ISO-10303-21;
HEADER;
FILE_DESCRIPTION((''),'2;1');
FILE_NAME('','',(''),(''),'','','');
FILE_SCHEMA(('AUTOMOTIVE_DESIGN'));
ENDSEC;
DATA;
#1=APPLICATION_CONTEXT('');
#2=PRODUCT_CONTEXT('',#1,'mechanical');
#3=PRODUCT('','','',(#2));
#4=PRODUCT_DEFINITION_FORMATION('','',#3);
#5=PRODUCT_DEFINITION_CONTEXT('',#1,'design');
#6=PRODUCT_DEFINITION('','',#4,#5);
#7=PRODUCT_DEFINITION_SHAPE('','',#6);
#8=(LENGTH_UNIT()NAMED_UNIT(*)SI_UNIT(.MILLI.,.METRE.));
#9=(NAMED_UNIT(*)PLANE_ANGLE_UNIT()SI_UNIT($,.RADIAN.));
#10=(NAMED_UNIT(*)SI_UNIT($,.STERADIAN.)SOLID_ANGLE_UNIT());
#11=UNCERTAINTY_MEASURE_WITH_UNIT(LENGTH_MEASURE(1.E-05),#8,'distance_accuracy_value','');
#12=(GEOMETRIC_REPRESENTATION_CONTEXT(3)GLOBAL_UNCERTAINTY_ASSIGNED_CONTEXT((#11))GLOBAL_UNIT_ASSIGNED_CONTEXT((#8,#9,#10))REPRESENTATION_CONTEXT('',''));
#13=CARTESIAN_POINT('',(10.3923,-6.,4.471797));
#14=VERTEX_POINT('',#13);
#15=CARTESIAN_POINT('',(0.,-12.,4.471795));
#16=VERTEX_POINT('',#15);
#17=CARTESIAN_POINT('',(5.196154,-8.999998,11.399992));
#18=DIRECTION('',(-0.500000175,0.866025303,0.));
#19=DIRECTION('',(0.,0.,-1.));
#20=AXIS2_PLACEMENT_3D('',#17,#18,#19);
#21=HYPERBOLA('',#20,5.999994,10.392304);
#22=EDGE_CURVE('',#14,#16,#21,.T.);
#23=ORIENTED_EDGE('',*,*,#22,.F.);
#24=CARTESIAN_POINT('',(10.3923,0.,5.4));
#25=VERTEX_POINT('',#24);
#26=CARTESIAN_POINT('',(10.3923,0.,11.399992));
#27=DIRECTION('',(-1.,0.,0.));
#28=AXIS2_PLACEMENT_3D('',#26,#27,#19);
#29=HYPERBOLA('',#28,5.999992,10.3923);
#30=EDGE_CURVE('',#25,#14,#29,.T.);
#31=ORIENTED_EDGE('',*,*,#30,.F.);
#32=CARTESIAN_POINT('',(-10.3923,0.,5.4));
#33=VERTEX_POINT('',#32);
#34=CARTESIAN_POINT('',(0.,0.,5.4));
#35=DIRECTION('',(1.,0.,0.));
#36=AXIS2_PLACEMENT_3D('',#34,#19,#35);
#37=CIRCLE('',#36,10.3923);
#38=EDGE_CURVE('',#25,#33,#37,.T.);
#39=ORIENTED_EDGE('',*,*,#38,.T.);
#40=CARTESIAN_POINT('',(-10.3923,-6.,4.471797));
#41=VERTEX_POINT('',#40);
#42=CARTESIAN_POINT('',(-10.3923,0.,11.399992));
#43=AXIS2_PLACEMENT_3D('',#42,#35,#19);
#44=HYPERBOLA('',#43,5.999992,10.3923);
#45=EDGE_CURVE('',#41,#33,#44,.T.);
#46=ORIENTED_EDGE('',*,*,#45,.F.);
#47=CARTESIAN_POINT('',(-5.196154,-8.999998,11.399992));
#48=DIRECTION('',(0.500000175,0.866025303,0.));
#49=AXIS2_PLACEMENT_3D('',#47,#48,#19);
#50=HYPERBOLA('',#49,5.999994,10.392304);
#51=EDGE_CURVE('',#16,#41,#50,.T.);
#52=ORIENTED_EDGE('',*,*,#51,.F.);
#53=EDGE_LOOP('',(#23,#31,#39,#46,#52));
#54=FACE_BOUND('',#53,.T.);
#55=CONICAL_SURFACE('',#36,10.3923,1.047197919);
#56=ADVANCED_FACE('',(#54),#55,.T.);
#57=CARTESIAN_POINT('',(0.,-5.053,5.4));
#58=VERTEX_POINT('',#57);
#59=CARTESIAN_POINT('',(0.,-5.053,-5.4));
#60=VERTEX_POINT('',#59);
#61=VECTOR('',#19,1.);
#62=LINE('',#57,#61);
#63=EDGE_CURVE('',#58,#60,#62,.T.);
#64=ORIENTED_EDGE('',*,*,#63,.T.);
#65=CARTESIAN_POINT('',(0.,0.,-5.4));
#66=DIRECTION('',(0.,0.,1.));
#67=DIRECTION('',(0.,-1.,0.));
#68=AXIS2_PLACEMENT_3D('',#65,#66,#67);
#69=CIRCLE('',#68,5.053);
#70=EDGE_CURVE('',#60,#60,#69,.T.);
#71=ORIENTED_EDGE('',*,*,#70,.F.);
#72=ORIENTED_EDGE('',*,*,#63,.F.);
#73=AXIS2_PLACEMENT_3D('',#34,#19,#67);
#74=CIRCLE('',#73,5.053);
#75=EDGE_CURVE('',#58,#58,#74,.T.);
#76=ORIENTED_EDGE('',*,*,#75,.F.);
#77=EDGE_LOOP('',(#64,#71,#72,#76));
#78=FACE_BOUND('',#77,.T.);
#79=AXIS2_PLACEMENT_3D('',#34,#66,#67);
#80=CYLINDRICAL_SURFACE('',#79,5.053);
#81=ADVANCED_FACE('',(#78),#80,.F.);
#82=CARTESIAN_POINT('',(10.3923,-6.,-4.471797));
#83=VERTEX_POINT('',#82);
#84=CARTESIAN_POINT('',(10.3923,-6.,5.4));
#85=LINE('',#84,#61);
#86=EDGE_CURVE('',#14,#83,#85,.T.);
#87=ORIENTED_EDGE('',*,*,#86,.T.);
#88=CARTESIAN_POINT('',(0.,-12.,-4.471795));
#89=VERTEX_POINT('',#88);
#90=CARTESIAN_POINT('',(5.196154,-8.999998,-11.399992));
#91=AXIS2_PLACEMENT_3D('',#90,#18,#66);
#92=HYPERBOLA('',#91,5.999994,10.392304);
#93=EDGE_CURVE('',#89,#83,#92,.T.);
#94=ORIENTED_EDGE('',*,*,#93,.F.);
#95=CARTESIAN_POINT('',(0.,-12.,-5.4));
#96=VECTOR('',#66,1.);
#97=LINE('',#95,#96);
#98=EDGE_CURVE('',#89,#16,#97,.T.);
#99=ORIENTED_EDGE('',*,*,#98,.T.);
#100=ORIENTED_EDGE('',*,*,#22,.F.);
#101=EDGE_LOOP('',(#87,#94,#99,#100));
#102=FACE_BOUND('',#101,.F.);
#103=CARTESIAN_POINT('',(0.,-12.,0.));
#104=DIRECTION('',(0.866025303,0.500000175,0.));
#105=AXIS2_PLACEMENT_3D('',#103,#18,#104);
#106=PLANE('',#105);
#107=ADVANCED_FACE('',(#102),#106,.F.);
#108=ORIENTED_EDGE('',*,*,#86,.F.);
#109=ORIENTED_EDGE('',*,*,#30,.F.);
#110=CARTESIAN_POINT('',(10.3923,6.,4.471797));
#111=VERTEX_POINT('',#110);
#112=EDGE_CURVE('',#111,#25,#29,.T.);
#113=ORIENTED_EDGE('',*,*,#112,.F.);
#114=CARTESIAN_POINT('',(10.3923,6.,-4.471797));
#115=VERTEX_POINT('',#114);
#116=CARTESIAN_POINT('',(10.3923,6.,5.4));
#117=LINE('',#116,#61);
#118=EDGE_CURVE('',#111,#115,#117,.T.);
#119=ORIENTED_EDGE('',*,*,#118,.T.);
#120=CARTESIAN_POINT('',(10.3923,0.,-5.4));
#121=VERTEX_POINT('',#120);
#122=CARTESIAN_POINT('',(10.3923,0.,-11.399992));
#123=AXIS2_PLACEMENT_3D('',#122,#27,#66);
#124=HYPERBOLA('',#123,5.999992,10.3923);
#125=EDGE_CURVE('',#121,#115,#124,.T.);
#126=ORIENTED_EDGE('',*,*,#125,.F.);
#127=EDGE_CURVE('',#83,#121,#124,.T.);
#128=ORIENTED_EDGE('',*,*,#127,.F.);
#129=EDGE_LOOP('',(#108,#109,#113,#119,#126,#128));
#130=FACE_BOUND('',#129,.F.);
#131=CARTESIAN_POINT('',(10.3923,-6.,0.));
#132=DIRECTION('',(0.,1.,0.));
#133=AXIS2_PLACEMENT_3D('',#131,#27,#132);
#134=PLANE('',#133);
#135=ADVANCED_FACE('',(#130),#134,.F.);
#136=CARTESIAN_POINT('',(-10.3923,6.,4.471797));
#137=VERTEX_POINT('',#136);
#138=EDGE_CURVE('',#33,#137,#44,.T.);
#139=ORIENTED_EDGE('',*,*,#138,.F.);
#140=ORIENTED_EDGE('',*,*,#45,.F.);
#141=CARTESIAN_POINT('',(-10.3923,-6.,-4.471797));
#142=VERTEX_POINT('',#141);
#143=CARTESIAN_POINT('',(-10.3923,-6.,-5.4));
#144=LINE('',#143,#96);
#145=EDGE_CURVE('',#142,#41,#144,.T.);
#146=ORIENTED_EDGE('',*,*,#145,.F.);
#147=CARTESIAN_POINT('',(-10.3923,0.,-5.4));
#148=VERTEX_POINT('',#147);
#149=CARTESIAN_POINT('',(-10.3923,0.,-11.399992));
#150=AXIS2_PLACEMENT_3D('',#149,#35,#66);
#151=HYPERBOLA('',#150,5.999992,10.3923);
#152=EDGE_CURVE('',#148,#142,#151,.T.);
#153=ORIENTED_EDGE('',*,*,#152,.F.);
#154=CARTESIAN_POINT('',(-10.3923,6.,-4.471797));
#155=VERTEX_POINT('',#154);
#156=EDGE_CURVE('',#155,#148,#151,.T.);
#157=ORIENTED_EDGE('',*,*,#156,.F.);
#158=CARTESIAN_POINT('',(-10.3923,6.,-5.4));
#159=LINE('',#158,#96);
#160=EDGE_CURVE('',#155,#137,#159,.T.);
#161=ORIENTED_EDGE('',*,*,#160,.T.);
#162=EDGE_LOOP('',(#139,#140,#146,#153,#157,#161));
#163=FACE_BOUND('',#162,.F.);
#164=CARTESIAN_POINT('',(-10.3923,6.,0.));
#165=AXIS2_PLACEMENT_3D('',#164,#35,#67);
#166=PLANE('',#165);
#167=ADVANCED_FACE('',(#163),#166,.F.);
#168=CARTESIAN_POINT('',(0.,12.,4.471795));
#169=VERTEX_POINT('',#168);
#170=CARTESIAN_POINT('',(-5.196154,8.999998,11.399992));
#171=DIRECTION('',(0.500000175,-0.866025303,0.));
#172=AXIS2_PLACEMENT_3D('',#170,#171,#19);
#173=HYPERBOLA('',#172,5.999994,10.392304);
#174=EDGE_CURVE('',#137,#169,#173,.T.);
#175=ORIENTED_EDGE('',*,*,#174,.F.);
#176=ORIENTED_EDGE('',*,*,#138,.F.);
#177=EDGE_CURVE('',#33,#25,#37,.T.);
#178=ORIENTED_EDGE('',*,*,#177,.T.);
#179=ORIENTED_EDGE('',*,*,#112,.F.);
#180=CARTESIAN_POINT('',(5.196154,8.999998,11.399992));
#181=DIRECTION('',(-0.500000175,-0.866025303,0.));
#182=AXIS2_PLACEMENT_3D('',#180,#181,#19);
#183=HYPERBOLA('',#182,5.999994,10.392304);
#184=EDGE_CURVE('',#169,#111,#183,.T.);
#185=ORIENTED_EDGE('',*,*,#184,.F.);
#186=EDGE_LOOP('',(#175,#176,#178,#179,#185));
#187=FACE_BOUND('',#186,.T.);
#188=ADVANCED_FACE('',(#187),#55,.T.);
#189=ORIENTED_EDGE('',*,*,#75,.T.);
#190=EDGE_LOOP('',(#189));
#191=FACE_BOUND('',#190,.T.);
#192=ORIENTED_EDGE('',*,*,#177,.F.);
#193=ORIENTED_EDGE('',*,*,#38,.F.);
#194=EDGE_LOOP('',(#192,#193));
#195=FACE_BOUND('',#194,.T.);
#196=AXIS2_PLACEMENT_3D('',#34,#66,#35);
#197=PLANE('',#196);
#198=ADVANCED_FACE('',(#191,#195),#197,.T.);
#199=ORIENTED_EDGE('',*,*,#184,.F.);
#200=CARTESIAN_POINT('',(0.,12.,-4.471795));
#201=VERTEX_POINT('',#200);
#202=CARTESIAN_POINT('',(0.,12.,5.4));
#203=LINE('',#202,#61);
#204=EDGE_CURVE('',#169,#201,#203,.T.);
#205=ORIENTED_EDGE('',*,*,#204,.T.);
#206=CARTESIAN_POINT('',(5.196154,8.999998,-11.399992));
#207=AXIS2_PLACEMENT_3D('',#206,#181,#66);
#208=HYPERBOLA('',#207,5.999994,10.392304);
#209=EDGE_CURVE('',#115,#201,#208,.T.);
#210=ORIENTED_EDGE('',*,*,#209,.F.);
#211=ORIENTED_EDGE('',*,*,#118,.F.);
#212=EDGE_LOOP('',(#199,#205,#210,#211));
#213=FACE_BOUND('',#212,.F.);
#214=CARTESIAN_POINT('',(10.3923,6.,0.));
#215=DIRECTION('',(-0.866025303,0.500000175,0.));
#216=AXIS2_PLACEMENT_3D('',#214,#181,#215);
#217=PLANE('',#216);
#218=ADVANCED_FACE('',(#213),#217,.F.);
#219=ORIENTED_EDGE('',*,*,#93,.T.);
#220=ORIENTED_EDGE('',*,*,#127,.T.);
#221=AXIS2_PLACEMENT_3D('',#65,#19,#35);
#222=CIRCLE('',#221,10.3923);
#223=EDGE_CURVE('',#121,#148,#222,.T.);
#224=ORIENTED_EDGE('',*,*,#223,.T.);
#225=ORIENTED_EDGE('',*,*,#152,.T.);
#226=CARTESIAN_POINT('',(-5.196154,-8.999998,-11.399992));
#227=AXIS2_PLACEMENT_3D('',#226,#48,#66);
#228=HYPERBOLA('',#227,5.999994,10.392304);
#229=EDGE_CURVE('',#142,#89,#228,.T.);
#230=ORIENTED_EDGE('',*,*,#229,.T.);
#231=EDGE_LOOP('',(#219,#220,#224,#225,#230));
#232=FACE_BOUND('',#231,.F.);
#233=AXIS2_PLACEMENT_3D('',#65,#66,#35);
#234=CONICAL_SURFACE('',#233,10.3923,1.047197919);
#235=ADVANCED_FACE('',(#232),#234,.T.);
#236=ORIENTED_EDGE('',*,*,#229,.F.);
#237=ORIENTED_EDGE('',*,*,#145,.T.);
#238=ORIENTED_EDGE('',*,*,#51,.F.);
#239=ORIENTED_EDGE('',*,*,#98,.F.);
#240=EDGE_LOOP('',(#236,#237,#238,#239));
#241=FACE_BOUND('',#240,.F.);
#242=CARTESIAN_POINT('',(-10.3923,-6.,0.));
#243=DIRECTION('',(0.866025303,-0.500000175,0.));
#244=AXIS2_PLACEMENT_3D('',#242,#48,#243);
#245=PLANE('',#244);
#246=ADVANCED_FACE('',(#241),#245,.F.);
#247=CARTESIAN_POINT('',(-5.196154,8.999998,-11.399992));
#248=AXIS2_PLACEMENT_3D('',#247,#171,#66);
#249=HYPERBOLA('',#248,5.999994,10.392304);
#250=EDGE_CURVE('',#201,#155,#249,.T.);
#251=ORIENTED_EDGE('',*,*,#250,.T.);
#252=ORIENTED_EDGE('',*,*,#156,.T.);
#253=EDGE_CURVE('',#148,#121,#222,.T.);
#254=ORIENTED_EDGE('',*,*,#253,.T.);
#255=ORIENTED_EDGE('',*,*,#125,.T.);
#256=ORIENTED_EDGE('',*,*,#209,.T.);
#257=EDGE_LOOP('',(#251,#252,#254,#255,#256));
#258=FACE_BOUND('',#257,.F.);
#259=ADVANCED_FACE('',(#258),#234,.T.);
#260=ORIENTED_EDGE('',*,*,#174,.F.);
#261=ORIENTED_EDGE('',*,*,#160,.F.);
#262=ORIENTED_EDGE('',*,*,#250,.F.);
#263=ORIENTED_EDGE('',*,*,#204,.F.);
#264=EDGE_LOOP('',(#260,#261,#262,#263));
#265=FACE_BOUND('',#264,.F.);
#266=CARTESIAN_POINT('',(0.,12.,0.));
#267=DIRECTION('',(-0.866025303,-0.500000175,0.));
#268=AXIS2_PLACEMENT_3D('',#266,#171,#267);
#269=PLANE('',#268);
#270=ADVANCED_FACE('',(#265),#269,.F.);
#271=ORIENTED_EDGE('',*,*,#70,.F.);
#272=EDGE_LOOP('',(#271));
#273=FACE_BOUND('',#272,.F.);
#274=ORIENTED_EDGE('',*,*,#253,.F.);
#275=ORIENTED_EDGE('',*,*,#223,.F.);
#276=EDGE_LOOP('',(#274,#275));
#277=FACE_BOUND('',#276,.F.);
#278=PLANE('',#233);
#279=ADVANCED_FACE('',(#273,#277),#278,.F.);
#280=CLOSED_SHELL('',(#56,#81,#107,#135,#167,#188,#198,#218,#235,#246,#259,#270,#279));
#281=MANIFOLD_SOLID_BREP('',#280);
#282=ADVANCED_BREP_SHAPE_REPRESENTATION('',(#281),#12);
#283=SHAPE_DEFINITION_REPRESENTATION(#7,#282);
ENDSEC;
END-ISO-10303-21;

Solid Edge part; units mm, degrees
sketch "Sketch1" plane through (0, 0, 0) normal (0, 0, 1) x (1, 0, 0)
  line L0 (0, 12) -> (-10.3923, 6)
  line L1 (-10.3923, 6) -> (-10.3923, -6)
  line L2 (-10.3923, -6) -> (0, -12)
  line L3 (0, -12) -> (10.3923, -6)
  line L4 (10.3923, -6) -> (10.3923, 6)
  line L5 (10.3923, 6) -> (0, 12)
extrude "Protrusion1" add sketch "Sketch1" along normal mid plane 10.8
sketch "Sketch2" plane through (0, 0, 0) normal (0, -1, 0) x (1, 0, 0)
  line L0 (10.3923, -5.4) -> (40.2366, 11.8306)
revolve "RevolvedCutout1" cut sketch "Sketch2" angle 360 about axis through (0, 0, 54) along (0, 0, -1) material side at (25.3394, 0, 3.172)
mirror "Mirror1" about plane through (0, 0, 0) normal (0, 0, 1) of "RevolvedCutout1"
hole "Hole_1" at (0, 0, 5.4) direction (0, 0, -1) diameter 10.106 end through all
properties part number "2"
